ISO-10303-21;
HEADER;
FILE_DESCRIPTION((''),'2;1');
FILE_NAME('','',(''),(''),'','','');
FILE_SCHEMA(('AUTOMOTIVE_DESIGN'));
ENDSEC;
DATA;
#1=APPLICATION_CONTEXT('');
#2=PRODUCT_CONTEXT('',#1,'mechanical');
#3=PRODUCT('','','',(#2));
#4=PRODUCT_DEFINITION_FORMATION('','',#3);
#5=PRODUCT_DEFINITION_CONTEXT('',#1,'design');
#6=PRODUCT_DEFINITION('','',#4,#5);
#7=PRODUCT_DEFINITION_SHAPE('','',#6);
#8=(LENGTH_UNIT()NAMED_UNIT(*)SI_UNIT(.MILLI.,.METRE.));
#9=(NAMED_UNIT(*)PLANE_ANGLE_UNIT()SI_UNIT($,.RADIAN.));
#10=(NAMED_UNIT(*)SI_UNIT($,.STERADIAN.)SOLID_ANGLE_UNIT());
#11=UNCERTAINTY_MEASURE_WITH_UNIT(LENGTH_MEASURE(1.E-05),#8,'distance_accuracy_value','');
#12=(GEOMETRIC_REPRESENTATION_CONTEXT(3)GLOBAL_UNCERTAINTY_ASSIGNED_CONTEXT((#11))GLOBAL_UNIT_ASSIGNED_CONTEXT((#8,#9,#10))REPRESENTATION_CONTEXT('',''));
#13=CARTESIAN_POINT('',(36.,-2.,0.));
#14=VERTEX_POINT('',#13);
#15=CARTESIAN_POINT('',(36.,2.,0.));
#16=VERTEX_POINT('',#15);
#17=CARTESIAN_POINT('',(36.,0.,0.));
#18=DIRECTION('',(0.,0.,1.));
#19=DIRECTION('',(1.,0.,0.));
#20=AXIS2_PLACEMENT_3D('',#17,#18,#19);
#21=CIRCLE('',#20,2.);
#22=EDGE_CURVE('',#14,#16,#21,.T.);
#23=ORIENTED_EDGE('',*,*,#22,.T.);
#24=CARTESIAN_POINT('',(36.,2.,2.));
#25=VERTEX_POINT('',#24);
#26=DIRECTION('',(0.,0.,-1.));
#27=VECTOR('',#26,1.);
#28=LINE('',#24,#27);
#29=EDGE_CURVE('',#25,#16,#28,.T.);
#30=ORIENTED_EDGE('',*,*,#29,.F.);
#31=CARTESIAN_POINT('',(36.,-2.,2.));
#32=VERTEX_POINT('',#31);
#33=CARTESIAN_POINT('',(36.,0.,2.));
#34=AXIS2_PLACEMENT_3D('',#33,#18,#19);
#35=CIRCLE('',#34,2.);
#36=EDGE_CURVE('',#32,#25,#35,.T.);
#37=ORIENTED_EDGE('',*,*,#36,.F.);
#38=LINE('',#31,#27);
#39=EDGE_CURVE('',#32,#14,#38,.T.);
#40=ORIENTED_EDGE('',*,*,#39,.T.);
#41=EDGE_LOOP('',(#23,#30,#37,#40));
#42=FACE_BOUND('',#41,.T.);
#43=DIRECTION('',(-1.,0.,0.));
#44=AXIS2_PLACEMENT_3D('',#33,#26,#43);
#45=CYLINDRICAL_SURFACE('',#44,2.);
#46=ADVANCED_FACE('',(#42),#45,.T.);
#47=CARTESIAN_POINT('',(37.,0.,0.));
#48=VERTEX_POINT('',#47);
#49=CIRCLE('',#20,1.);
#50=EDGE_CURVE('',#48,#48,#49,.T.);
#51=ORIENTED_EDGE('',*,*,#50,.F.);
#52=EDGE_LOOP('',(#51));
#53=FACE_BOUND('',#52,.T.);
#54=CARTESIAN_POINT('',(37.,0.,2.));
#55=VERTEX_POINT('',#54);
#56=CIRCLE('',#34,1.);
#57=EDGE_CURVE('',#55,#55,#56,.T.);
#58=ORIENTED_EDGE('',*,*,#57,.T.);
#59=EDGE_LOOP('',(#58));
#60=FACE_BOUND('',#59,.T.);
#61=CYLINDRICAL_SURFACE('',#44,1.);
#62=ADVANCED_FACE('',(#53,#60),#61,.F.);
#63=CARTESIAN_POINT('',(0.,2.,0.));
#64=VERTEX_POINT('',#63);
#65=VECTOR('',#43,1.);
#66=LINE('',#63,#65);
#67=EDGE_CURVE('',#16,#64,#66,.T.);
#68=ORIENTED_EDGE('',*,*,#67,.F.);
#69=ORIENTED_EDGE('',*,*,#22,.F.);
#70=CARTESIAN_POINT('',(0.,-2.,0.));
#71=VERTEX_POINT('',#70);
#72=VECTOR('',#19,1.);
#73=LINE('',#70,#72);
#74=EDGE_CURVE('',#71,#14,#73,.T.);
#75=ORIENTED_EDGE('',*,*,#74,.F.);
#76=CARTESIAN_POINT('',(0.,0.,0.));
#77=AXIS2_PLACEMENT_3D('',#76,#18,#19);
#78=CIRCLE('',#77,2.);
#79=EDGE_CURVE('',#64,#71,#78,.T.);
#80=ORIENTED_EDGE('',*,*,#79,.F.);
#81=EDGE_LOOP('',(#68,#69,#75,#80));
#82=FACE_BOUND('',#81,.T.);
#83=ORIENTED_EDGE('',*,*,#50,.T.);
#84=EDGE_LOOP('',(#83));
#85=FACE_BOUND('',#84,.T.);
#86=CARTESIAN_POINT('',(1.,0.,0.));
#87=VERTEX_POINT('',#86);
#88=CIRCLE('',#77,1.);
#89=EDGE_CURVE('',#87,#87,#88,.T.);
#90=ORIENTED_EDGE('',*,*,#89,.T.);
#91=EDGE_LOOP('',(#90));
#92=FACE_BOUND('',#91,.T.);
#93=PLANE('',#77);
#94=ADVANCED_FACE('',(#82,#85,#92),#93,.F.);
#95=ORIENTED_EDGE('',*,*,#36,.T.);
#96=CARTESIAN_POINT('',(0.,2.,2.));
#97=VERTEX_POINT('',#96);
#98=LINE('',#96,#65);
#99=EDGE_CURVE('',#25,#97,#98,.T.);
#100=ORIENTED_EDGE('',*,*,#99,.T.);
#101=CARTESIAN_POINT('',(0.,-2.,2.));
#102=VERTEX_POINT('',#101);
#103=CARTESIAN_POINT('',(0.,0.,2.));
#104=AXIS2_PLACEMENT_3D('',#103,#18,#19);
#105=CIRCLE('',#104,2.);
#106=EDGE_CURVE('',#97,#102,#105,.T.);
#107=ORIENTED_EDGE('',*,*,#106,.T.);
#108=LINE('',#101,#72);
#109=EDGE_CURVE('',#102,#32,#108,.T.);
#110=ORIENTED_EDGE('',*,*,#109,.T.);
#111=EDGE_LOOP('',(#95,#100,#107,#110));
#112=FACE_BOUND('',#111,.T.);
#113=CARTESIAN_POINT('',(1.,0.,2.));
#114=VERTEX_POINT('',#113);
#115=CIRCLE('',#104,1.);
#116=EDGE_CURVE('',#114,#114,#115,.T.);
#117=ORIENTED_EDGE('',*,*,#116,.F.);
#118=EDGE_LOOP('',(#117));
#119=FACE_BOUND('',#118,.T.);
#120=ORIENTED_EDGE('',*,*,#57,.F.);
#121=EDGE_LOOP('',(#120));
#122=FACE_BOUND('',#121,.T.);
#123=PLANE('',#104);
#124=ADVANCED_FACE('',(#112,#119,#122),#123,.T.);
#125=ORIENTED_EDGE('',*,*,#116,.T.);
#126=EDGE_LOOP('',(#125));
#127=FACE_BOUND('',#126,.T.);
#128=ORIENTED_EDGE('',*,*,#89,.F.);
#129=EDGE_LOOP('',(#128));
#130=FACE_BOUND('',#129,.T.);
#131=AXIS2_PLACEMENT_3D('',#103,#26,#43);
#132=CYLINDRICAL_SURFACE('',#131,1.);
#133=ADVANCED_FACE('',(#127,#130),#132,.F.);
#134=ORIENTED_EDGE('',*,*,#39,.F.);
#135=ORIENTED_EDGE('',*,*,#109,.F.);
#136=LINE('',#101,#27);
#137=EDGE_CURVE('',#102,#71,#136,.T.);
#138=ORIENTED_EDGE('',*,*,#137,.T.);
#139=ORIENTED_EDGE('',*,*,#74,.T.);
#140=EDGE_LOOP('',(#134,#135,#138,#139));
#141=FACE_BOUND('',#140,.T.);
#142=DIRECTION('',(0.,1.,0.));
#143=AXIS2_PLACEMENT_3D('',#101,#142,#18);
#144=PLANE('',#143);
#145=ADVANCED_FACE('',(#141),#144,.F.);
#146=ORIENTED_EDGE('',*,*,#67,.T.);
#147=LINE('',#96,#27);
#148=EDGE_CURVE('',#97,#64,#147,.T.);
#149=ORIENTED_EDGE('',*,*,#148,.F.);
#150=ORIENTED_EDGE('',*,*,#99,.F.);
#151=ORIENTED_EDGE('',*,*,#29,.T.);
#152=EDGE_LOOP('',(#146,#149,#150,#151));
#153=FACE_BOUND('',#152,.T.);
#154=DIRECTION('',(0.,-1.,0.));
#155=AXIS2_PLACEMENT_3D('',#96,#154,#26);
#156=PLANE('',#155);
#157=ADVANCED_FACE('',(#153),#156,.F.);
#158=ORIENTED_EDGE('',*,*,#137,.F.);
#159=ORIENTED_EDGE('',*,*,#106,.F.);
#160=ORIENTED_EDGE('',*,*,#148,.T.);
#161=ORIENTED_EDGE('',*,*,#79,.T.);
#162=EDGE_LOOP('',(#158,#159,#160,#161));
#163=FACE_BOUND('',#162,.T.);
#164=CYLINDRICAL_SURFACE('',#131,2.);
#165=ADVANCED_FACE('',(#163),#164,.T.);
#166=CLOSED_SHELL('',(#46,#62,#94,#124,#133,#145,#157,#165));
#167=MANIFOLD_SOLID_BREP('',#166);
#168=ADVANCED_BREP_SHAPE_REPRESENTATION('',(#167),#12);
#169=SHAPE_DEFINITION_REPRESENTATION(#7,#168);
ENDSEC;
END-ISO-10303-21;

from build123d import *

# Parameters (mm, degrees)
CROQUIS1_R              = 1
SALIENTE_EXTRUIR1_DEPTH = 2


with BuildPart() as part:
    # Croquis1 → Saliente-Extruir1 (new body)
    with BuildSketch(Plane.XY):
        with BuildLine():
            Line((0, 2), (36, 2))
            ThreePointArc((36, 2), (38, 0), (36, -2))
            Line((36, -2), (0, -2))
            ThreePointArc((0, -2), (-2, 0), (0, 2))
        make_face()
        Circle(CROQUIS1_R, mode=Mode.SUBTRACT)
        with Locations((36, 0)):
            Circle(CROQUIS1_R, mode=Mode.SUBTRACT)
    extrude(amount=SALIENTE_EXTRUIR1_DEPTH)


solid = part.part
